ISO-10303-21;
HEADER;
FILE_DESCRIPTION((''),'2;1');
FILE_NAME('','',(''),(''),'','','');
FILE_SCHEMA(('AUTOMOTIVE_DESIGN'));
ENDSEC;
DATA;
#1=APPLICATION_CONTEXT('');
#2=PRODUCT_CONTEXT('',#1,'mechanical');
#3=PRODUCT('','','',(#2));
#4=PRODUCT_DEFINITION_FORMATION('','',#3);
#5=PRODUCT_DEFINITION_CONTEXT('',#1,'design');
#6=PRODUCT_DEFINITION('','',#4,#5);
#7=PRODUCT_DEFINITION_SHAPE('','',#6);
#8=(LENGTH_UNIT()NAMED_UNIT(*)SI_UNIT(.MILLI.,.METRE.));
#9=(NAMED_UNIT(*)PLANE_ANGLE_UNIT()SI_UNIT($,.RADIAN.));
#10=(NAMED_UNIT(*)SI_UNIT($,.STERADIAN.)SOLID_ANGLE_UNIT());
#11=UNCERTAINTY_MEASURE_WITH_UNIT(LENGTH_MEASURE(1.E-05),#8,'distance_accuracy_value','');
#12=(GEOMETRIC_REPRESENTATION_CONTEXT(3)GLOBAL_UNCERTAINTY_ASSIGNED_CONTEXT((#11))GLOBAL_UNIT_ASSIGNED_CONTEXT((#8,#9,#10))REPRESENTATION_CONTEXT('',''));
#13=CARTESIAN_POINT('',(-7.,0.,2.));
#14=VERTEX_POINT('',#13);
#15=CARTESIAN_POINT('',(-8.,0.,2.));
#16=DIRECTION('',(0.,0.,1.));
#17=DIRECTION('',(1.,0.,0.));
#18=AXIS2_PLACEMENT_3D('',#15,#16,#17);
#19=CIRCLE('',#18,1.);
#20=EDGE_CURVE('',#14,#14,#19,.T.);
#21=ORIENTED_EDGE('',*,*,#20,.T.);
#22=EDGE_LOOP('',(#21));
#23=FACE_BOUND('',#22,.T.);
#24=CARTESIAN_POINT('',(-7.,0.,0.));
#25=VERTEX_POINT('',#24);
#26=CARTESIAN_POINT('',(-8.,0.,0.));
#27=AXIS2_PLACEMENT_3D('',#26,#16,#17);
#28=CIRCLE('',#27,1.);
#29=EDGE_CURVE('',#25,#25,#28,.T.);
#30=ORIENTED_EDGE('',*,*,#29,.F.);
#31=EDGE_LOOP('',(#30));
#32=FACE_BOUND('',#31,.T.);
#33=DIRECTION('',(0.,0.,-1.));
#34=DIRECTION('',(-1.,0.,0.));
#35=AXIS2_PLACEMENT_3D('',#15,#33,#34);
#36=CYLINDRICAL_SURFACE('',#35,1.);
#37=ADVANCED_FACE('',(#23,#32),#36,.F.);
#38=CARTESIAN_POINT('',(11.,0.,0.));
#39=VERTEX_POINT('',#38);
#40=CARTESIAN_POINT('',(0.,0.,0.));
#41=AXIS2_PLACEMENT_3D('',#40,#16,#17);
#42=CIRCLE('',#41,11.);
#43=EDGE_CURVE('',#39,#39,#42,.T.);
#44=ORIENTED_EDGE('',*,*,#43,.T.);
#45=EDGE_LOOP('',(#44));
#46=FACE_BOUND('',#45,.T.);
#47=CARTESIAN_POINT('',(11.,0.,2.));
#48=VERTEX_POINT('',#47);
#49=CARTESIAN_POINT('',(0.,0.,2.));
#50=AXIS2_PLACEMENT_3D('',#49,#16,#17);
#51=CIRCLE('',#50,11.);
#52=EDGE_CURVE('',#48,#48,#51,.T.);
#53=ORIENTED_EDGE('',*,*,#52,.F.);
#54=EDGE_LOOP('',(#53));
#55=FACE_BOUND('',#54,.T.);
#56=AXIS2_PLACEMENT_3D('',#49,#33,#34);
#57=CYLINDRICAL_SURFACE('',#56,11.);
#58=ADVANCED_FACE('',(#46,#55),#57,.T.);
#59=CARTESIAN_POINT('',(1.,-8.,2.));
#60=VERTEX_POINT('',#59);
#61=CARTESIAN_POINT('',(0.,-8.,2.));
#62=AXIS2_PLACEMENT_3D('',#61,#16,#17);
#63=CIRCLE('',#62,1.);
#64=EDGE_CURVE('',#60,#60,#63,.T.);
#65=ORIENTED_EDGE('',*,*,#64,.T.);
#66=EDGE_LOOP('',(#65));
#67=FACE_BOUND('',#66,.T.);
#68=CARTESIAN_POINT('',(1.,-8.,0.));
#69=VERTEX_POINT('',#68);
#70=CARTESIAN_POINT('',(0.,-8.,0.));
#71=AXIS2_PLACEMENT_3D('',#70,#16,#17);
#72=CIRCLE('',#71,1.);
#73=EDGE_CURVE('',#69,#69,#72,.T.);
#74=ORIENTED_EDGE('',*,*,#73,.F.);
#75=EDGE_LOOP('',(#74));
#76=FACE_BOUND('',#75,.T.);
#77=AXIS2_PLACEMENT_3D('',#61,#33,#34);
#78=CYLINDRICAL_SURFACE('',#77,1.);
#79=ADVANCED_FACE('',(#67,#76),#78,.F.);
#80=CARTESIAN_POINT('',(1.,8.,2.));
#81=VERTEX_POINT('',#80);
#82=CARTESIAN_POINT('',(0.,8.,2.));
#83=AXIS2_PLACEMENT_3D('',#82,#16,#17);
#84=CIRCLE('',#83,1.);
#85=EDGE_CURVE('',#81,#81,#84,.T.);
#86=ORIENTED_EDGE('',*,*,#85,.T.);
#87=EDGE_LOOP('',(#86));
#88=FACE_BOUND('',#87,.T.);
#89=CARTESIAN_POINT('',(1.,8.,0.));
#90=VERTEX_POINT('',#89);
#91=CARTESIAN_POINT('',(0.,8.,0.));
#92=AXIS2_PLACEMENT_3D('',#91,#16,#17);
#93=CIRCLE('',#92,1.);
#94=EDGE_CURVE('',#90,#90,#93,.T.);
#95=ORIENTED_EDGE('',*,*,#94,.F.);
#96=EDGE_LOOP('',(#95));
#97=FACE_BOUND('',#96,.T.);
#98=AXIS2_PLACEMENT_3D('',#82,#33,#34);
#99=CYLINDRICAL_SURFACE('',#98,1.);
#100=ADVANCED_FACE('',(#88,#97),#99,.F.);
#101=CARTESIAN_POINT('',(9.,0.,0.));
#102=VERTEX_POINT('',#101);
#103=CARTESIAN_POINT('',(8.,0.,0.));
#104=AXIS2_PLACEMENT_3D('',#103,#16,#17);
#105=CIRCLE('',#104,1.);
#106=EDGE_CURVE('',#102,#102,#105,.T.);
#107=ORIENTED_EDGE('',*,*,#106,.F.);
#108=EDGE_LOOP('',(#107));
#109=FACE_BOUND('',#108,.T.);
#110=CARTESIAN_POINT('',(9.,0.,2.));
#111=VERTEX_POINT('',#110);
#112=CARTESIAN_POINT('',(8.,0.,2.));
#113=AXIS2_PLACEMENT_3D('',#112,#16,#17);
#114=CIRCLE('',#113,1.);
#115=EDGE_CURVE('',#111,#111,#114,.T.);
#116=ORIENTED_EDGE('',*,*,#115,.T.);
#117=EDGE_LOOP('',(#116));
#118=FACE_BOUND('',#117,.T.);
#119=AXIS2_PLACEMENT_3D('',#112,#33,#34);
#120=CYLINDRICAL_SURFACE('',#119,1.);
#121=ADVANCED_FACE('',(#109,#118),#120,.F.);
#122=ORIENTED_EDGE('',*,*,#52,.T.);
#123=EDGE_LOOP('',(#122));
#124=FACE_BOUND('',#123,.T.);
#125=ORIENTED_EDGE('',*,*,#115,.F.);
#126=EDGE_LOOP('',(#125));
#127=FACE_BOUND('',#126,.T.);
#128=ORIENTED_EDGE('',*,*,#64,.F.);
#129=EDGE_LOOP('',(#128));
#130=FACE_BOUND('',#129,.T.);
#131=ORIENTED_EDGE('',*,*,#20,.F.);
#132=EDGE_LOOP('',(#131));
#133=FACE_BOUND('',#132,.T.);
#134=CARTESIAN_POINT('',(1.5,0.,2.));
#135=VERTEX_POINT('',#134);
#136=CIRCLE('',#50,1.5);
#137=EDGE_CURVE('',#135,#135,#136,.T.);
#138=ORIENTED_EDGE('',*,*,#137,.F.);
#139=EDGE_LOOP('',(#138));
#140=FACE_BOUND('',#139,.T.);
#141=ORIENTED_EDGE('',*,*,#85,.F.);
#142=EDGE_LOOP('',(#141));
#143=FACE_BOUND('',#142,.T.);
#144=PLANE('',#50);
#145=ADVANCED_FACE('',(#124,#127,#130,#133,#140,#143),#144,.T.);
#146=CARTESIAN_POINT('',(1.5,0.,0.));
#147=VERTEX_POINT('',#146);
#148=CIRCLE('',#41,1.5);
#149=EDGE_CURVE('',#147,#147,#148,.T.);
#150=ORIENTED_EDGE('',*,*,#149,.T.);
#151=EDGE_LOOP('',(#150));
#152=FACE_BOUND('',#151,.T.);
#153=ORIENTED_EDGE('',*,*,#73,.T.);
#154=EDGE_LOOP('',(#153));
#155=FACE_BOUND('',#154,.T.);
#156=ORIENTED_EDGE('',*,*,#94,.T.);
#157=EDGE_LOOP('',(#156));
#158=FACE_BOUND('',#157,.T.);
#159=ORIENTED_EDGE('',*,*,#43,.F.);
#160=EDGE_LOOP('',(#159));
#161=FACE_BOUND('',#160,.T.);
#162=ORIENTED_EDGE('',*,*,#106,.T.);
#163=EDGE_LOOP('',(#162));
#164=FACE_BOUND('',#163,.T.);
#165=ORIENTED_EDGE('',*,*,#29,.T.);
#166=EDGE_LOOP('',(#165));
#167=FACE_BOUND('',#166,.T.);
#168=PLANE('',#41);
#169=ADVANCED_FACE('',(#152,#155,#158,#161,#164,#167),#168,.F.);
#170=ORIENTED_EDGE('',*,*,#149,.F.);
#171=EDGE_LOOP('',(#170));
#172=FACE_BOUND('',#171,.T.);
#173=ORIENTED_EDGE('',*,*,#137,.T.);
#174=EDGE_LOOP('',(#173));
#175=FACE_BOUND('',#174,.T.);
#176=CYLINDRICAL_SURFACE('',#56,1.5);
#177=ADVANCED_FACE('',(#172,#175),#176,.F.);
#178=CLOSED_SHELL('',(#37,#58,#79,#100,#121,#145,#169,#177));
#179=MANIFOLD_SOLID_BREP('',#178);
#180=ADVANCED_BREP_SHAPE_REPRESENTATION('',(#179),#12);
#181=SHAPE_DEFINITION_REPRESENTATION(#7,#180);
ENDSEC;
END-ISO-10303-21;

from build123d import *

# Parameters (mm, degrees)
SKETCH1_R           = 11
SKETCH1_R_2         = 1
SKETCH1_R_3         = 1.5
BOSS_EXTRUDE1_DEPTH = 2


with BuildPart() as part:
    # Sketch1 → Boss-Extrude1 (new body)
    with BuildSketch(Plane.XY):
        Circle(SKETCH1_R)
        with Locations((0, 8)):
            Circle(SKETCH1_R_2, mode=Mode.SUBTRACT)
        Circle(SKETCH1_R_3, mode=Mode.SUBTRACT)
        with Locations((8, 0)):
            Circle(SKETCH1_R_2, mode=Mode.SUBTRACT)
        with Locations((0, -8)):
            Circle(SKETCH1_R_2, mode=Mode.SUBTRACT)
        with Locations((-8, 0)):
            Circle(SKETCH1_R_2, mode=Mode.SUBTRACT)
    extrude(amount=BOSS_EXTRUDE1_DEPTH)


solid = part.part
